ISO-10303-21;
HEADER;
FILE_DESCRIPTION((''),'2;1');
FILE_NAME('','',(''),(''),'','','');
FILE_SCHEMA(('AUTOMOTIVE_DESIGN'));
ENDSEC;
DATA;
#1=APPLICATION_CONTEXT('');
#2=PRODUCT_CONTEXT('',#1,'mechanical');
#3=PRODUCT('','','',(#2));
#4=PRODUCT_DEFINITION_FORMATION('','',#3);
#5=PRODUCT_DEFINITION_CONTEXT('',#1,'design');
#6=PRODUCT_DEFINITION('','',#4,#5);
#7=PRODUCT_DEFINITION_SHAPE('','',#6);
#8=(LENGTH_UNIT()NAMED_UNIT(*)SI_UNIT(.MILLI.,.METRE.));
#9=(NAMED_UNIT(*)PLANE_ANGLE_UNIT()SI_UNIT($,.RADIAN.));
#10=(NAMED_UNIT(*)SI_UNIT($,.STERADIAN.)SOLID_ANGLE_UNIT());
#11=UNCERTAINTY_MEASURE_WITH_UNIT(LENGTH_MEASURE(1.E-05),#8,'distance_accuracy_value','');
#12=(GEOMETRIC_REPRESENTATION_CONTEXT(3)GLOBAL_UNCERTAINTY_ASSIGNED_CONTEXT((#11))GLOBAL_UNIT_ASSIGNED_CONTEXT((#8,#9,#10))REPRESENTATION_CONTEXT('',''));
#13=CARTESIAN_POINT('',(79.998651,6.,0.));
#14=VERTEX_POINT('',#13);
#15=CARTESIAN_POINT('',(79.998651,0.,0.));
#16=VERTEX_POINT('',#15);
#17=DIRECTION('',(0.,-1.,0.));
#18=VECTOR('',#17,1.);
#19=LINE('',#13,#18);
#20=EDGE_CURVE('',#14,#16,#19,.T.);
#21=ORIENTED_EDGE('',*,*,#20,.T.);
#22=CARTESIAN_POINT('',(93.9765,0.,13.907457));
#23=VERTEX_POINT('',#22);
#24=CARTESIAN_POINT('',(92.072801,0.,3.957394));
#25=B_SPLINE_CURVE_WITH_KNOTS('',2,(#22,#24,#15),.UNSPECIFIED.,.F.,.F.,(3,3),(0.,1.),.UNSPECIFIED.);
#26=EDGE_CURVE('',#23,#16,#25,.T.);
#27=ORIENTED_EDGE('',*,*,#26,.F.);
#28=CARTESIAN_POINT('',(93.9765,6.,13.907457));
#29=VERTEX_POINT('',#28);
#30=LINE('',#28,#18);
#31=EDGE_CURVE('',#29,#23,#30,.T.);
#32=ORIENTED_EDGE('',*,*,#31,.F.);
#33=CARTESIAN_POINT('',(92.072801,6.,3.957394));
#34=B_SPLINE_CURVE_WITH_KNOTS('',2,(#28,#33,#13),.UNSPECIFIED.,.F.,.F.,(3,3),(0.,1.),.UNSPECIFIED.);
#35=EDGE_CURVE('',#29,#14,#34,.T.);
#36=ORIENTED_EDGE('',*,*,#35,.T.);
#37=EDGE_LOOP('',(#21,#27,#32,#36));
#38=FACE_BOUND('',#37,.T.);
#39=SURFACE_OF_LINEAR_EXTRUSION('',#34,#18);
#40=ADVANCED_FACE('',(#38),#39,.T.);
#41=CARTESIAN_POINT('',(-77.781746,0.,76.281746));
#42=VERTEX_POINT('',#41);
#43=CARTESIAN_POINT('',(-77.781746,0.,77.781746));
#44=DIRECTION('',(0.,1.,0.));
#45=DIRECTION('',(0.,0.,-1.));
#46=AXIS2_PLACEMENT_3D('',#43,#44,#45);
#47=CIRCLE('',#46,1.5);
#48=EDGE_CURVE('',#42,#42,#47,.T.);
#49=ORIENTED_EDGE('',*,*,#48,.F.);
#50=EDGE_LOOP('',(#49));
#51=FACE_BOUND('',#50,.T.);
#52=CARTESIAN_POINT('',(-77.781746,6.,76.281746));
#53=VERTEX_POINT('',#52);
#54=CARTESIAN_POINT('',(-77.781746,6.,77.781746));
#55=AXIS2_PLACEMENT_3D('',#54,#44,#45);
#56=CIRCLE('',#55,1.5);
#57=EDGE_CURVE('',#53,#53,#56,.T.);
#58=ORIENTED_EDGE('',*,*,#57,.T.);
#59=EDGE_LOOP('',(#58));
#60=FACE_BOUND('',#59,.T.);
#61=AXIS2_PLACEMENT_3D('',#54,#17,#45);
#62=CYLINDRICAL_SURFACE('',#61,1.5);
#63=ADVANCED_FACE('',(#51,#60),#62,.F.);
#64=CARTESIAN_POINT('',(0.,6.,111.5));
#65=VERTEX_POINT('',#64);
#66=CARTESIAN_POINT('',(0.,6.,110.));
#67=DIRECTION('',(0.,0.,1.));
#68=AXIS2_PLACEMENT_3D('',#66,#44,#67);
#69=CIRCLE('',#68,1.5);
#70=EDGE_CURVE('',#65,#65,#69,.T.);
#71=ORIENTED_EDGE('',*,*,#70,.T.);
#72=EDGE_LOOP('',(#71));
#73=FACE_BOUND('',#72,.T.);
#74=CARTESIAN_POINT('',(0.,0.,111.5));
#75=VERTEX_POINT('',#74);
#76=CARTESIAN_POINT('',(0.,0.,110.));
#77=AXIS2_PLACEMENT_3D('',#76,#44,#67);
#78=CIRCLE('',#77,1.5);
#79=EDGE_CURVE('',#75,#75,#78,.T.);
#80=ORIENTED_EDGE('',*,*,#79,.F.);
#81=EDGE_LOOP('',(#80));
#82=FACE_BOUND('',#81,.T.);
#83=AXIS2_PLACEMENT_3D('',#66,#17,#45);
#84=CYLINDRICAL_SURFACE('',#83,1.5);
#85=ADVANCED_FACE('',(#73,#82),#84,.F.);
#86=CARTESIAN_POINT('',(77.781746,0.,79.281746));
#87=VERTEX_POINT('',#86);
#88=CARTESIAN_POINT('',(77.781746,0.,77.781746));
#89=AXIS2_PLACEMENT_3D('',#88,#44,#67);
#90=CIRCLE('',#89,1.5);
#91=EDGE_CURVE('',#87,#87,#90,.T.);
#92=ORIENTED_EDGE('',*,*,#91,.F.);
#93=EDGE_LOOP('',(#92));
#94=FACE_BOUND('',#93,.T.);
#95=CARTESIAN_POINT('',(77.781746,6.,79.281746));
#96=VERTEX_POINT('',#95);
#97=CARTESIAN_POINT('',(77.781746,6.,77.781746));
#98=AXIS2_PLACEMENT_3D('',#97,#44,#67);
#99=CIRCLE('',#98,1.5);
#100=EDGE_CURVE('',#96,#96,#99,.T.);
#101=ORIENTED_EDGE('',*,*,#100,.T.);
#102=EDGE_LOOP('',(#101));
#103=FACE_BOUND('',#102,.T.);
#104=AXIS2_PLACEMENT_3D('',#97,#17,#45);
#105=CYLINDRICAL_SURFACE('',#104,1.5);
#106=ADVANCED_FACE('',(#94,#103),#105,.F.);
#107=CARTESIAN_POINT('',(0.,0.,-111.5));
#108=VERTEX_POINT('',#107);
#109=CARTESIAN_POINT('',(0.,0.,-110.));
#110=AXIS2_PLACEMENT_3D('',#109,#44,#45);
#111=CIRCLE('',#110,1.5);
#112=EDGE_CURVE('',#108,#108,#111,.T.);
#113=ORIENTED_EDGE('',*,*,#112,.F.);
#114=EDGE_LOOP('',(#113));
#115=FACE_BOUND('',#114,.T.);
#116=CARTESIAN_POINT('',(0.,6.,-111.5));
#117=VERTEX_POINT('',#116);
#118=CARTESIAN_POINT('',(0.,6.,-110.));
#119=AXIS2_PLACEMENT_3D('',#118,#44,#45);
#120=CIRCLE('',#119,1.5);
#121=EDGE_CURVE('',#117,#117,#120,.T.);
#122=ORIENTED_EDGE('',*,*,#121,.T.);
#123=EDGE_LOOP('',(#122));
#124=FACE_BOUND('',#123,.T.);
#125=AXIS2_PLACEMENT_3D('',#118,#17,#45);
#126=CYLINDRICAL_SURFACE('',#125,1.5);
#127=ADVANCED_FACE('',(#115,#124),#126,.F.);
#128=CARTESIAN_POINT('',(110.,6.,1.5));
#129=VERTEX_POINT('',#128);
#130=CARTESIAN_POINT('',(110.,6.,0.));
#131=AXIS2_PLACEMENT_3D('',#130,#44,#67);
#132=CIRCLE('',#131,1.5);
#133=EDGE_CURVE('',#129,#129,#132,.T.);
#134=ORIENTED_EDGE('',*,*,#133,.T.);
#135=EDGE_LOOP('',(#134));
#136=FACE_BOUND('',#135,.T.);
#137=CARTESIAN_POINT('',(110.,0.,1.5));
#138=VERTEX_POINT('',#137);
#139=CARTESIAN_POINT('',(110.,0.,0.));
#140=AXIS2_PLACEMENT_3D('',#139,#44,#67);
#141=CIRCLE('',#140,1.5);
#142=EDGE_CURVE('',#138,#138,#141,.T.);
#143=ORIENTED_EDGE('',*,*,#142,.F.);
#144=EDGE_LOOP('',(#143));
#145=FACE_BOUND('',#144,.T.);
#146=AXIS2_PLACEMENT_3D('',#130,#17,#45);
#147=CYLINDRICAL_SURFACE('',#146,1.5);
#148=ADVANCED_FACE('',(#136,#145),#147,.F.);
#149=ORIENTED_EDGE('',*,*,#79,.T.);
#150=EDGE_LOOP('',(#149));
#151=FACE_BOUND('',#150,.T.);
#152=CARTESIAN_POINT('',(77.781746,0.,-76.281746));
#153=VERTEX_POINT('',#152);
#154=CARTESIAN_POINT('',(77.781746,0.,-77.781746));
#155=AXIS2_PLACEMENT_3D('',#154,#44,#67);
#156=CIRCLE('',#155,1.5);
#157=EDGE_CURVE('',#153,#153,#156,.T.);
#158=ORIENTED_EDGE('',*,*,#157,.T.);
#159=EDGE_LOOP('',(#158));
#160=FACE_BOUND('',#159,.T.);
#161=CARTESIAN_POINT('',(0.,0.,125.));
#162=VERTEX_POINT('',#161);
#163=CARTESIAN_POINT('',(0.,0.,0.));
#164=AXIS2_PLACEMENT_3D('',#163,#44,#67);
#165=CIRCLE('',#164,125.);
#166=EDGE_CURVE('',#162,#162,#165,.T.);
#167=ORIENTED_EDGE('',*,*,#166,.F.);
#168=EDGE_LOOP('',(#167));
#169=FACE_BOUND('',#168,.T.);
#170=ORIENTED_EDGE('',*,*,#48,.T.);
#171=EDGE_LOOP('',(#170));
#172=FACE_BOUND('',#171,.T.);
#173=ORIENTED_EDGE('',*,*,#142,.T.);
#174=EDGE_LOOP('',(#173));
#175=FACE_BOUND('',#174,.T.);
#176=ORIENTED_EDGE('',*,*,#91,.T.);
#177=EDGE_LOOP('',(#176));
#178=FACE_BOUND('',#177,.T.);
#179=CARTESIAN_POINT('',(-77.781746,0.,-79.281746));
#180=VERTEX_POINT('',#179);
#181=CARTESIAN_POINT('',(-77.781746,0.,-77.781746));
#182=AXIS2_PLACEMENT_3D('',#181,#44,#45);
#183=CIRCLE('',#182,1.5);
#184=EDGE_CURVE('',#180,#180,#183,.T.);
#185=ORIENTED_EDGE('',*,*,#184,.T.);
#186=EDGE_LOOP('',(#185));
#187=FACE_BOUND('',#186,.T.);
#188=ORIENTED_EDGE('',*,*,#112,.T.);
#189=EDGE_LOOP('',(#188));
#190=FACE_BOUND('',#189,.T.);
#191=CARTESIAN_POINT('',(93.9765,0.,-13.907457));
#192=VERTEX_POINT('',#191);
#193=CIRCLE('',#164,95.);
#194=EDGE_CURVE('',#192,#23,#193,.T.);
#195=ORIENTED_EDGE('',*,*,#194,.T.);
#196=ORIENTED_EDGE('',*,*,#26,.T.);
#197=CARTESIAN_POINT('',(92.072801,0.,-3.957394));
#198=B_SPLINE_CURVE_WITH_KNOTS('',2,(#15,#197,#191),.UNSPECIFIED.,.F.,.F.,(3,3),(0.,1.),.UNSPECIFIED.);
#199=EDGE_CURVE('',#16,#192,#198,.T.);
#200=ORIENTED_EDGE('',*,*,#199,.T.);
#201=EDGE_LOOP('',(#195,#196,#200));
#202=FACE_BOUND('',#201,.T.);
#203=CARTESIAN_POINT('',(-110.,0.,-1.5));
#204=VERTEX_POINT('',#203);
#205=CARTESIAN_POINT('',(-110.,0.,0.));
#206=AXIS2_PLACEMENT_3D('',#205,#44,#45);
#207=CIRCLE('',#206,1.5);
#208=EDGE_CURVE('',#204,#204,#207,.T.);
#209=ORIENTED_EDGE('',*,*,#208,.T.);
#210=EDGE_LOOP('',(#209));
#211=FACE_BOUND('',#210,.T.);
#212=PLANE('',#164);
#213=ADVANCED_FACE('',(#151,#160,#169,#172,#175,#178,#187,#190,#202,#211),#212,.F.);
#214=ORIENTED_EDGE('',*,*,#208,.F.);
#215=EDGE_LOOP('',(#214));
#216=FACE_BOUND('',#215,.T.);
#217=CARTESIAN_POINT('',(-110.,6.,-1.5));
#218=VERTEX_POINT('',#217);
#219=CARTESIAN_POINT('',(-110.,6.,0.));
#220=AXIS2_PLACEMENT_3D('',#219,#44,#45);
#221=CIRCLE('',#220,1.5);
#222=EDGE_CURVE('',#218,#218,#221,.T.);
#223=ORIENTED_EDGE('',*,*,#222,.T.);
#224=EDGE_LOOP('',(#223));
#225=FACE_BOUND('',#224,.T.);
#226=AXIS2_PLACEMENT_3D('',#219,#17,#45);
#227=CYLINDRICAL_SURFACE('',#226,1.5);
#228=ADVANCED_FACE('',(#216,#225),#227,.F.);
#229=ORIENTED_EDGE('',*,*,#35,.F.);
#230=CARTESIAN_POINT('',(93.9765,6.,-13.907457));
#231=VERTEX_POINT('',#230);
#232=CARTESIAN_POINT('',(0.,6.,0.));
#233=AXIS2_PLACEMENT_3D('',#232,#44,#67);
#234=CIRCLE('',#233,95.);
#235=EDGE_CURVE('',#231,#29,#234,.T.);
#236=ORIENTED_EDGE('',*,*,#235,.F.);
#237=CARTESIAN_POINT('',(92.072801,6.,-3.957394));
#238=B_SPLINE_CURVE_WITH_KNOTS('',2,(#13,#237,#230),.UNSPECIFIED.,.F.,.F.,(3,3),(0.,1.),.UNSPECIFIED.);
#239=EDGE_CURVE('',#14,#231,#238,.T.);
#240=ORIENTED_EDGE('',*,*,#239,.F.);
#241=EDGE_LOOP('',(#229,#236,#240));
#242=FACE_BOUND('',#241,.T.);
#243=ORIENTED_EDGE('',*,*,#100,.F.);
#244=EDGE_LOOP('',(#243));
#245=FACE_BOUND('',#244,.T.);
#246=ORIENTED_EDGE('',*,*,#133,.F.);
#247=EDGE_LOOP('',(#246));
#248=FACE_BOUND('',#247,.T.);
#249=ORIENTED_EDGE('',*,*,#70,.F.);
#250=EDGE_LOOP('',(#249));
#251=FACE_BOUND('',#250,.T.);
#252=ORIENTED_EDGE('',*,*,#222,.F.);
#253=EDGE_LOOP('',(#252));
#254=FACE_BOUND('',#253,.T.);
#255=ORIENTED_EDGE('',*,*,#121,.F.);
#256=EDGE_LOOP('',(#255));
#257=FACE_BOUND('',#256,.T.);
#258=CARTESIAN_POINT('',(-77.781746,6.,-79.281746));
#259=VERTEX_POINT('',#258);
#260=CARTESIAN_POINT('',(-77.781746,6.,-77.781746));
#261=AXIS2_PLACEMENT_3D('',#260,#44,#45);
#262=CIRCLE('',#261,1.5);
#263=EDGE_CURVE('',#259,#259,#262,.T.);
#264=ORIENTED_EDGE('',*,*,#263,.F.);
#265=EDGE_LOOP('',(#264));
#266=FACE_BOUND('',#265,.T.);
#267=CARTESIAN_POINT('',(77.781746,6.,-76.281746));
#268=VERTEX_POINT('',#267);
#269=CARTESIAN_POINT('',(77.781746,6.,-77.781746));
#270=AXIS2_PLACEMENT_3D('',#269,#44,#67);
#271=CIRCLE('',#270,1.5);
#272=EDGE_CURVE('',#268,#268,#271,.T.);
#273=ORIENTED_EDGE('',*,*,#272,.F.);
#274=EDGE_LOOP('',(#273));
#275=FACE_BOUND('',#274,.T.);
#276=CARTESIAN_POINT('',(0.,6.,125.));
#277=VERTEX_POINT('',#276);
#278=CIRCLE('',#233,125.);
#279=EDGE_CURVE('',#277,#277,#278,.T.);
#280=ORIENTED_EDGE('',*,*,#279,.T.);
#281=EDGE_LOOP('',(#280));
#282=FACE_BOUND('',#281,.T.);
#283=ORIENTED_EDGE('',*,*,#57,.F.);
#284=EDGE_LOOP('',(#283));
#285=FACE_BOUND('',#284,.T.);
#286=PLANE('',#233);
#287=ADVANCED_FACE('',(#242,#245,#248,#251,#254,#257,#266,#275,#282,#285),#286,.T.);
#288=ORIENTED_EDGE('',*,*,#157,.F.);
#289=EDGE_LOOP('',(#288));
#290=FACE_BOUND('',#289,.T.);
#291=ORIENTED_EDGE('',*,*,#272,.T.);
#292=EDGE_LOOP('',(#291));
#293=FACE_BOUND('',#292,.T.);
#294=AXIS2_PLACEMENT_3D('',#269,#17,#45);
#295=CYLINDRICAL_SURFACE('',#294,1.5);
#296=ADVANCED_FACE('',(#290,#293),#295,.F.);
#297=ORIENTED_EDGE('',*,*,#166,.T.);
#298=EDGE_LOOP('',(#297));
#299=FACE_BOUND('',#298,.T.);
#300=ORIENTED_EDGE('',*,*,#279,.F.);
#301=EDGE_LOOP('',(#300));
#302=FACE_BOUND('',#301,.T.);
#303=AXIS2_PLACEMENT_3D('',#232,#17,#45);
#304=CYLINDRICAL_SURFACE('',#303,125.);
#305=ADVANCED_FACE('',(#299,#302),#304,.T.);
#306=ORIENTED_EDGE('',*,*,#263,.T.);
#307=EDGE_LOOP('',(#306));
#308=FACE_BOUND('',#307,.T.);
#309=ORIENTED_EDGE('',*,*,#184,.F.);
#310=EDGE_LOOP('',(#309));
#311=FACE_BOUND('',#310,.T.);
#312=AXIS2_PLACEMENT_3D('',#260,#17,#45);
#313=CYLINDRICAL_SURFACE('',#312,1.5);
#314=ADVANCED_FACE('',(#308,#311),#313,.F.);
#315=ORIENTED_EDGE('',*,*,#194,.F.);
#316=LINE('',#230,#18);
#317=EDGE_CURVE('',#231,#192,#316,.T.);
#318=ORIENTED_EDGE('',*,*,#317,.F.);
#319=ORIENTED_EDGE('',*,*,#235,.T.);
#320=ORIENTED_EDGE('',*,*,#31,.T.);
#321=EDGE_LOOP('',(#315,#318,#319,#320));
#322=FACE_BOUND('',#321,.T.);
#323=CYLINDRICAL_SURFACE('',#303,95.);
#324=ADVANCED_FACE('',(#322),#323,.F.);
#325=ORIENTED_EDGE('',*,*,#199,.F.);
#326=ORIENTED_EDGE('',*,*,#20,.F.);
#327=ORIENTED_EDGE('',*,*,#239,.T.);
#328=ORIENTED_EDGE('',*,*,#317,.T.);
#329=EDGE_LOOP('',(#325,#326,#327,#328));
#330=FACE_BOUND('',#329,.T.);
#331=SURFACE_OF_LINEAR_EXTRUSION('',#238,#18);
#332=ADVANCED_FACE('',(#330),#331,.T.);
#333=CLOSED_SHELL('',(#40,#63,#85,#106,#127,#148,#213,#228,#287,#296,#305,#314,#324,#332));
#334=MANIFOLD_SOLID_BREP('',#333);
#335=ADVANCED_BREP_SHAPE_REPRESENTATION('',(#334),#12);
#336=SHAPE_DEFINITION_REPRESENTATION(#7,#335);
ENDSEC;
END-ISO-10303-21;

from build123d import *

# Parameters (mm, degrees)
SKETCH1_R           = 125
SKETCH1_R_2         = 1.5
BOSS_EXTRUDE1_DEPTH = 6


with BuildPart() as part:
    # Sketch1 → Boss-Extrude1 (new body)
    with BuildSketch(Plane(origin=(0, 0, 0), x_dir=(1, 0, 0), z_dir=(0, 1, 0))):
        Circle(SKETCH1_R)
        with Locations((0, -110)):
            Circle(SKETCH1_R_2, mode=Mode.SUBTRACT)
        with Locations((77.781745931, -77.781745931)):
            Circle(SKETCH1_R_2, mode=Mode.SUBTRACT)
        with Locations((110, 0)):
            Circle(SKETCH1_R_2, mode=Mode.SUBTRACT)
        with Locations((77.781745931, 77.781745931)):
            Circle(SKETCH1_R_2, mode=Mode.SUBTRACT)
        with Locations((0, 110)):
            Circle(SKETCH1_R_2, mode=Mode.SUBTRACT)
        with Locations((-77.781745931, 77.781745931)):
            Circle(SKETCH1_R_2, mode=Mode.SUBTRACT)
        with Locations((-110, 0)):
            Circle(SKETCH1_R_2, mode=Mode.SUBTRACT)
        with Locations((-77.781745931, -77.781745931)):
            Circle(SKETCH1_R_2, mode=Mode.SUBTRACT)
        with BuildLine():
            ThreePointArc((93.976500469, 13.907456977), (-95, 0), (93.976500469, -13.907456977))
            add(Edge.make_bspline(
                [(93.976500469, -13.907456977), (92.072801417, -3.957394346), (79.998651047, 0)],
                knots=[0, 0, 0, 1, 1, 1], degree=2))
            add(Edge.make_bspline(
                [(93.976500469, 13.907456977), (92.072801417, 3.957394346), (79.998651047, 0)],
                knots=[0, 0, 0, 1, 1, 1], degree=2))
        make_face(mode=Mode.SUBTRACT)
    extrude(amount=BOSS_EXTRUDE1_DEPTH)


solid = part.part
